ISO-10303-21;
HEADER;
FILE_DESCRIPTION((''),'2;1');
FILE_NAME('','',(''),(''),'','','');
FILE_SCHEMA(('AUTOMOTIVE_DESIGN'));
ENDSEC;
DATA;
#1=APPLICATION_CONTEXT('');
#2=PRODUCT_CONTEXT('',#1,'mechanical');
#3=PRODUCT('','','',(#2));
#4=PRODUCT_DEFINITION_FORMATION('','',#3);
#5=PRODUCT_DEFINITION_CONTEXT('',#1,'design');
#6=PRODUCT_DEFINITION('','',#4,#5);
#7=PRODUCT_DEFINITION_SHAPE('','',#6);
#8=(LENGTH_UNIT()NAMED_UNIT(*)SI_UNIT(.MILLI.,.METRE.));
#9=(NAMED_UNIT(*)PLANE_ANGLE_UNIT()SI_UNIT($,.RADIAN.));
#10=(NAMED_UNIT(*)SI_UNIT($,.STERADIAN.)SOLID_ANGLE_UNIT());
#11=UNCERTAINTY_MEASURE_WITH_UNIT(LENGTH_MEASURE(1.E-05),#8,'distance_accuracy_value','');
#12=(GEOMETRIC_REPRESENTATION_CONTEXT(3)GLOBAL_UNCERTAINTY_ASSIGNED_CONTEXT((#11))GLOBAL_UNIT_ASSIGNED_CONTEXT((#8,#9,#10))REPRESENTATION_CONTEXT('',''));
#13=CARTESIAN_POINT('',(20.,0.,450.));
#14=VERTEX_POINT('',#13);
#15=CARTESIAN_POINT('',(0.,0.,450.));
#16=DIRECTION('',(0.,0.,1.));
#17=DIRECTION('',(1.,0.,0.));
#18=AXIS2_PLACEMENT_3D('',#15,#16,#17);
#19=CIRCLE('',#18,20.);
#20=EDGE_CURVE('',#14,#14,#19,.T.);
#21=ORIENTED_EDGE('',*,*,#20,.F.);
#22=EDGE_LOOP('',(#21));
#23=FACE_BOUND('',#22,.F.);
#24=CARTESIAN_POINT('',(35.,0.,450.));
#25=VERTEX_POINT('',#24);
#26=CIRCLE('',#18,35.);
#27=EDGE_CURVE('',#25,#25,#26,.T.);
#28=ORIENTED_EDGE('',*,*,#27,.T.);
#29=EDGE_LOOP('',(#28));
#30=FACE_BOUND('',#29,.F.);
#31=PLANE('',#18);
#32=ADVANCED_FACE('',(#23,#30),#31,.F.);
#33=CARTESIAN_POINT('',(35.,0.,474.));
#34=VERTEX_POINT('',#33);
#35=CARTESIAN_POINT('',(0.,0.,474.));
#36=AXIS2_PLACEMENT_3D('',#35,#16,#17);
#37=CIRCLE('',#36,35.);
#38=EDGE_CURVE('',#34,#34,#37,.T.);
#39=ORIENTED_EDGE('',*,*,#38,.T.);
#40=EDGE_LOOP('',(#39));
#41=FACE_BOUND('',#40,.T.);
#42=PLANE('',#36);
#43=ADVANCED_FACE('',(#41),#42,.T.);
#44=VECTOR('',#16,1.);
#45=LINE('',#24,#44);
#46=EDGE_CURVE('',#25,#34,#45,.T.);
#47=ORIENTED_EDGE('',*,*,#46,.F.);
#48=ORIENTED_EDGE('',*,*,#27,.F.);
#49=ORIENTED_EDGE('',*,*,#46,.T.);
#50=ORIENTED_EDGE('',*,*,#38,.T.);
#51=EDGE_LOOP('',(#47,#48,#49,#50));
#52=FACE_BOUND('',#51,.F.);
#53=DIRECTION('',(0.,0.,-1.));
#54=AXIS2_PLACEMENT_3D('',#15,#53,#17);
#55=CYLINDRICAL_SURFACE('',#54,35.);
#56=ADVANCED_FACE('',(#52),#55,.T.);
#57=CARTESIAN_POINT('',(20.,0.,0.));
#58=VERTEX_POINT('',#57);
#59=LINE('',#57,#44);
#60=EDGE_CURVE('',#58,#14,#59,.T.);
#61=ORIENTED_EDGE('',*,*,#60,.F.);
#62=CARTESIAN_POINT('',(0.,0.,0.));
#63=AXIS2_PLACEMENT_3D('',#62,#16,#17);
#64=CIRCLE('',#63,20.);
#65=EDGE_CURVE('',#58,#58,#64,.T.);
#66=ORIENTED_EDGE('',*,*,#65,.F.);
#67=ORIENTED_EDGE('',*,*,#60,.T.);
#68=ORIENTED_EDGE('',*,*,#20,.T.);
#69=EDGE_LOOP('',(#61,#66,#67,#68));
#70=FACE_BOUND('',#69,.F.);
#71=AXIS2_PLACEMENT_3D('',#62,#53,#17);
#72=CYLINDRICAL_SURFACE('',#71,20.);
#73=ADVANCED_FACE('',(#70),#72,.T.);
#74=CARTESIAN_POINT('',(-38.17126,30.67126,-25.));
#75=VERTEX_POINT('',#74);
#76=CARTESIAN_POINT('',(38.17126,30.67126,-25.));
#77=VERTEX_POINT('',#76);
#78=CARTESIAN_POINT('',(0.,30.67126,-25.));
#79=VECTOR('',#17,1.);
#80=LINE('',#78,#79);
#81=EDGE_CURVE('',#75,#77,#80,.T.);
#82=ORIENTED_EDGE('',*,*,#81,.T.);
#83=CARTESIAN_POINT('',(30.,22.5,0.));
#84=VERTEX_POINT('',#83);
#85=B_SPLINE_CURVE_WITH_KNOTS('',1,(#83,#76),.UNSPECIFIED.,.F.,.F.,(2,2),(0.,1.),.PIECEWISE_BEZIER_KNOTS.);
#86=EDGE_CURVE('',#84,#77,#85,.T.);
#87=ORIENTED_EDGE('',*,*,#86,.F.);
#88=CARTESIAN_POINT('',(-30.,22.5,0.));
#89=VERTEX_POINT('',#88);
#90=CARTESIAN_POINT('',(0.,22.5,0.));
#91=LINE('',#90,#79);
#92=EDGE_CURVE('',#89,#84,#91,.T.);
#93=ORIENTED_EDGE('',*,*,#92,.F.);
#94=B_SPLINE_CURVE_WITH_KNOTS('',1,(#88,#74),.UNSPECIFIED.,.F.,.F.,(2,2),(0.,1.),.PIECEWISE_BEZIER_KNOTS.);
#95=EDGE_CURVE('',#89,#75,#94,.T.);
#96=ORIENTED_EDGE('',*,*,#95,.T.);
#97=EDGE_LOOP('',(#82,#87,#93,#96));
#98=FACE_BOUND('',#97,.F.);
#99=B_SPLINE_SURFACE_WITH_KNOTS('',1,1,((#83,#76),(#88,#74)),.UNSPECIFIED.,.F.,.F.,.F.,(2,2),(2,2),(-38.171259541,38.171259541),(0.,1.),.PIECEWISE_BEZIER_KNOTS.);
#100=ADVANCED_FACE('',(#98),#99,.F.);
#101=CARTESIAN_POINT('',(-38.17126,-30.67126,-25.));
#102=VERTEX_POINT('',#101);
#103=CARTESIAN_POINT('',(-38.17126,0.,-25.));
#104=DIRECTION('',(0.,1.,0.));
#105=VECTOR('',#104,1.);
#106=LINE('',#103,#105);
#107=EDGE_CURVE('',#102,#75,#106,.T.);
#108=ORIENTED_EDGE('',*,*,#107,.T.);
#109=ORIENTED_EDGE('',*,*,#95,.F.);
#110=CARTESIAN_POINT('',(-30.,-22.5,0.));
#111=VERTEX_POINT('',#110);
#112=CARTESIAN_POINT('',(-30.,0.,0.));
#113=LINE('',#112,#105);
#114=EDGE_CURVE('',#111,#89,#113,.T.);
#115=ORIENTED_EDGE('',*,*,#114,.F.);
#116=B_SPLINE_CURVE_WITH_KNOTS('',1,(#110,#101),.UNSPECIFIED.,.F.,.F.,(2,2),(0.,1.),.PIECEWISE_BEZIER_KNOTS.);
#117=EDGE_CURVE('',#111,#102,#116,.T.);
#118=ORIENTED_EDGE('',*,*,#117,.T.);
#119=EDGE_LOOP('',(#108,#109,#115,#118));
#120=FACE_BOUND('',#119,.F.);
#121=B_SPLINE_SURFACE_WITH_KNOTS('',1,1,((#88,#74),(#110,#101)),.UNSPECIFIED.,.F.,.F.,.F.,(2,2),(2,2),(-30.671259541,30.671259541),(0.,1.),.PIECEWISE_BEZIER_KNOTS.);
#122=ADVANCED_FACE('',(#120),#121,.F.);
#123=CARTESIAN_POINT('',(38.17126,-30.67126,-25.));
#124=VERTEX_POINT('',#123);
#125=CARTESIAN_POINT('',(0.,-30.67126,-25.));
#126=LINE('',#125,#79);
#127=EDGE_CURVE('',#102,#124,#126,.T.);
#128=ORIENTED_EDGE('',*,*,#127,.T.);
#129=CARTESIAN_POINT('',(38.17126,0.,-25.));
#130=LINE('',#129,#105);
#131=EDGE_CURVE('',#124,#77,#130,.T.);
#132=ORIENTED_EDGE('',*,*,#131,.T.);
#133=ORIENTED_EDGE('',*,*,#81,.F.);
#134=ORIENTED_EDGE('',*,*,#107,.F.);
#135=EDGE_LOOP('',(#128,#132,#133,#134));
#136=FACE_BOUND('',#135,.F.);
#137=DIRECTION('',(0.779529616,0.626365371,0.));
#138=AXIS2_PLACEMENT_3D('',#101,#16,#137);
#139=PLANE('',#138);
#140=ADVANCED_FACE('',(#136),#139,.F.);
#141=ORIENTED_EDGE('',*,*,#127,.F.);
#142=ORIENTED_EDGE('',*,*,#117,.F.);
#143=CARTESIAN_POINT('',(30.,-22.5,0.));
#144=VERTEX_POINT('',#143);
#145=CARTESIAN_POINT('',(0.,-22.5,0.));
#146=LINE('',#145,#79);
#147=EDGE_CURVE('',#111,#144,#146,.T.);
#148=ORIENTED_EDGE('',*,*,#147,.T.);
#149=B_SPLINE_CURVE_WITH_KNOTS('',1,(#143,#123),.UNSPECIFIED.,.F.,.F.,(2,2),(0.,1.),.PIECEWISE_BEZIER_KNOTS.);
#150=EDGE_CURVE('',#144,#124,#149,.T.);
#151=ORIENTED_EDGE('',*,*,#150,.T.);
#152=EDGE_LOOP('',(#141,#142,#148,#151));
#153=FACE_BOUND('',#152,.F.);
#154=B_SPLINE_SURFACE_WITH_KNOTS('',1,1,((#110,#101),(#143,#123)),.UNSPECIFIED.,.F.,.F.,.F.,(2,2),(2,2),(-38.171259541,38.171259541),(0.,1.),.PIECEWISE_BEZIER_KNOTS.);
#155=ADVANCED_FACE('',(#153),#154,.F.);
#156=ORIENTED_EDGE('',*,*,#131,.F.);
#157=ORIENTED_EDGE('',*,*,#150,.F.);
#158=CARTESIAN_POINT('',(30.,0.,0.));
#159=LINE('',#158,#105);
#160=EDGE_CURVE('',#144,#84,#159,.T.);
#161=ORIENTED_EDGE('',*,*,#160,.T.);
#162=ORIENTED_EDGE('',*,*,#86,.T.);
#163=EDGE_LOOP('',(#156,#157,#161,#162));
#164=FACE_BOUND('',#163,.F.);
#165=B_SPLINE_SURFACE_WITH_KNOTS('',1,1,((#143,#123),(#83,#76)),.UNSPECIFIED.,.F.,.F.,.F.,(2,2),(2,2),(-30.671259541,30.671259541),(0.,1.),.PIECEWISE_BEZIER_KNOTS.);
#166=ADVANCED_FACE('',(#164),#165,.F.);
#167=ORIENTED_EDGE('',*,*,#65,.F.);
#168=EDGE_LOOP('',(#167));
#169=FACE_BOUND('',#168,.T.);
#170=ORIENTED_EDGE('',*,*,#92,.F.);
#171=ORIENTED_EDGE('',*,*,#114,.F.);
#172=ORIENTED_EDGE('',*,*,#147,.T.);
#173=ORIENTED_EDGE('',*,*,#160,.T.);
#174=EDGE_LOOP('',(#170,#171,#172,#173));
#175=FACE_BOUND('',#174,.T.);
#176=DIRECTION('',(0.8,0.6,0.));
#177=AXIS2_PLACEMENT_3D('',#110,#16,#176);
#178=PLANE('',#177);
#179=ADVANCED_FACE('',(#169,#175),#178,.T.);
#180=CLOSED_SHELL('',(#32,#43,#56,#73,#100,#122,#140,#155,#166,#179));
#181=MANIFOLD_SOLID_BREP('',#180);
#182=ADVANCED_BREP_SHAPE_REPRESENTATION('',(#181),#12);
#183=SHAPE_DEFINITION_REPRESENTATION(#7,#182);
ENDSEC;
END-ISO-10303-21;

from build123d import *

# Parameters (mm, degrees)
F0_R     = 20
F1_DEPTH = 450
F2_R     = 35
F3_DEPTH = 24
F4_W     = 60
F4_H     = 45
F5_DEPTH = 25
F5_TAPER = -18.1


with BuildPart() as f1:
    # F0 (on Top) → F1 (new body)
    with BuildSketch(Plane.XY):
        Circle(F0_R)
    extrude(amount=F1_DEPTH)

    # F2 (on face) → F3 (join)
    with BuildSketch(Plane.XY.offset(450)):
        Circle(F2_R)
    extrude(amount=F3_DEPTH)

    # F4 (on Top) → F5 (join)
    with BuildSketch(Plane.XY):
        Rectangle(F4_W, F4_H)
    extrude(amount=-F5_DEPTH, taper=F5_TAPER)


solid = f1.part
